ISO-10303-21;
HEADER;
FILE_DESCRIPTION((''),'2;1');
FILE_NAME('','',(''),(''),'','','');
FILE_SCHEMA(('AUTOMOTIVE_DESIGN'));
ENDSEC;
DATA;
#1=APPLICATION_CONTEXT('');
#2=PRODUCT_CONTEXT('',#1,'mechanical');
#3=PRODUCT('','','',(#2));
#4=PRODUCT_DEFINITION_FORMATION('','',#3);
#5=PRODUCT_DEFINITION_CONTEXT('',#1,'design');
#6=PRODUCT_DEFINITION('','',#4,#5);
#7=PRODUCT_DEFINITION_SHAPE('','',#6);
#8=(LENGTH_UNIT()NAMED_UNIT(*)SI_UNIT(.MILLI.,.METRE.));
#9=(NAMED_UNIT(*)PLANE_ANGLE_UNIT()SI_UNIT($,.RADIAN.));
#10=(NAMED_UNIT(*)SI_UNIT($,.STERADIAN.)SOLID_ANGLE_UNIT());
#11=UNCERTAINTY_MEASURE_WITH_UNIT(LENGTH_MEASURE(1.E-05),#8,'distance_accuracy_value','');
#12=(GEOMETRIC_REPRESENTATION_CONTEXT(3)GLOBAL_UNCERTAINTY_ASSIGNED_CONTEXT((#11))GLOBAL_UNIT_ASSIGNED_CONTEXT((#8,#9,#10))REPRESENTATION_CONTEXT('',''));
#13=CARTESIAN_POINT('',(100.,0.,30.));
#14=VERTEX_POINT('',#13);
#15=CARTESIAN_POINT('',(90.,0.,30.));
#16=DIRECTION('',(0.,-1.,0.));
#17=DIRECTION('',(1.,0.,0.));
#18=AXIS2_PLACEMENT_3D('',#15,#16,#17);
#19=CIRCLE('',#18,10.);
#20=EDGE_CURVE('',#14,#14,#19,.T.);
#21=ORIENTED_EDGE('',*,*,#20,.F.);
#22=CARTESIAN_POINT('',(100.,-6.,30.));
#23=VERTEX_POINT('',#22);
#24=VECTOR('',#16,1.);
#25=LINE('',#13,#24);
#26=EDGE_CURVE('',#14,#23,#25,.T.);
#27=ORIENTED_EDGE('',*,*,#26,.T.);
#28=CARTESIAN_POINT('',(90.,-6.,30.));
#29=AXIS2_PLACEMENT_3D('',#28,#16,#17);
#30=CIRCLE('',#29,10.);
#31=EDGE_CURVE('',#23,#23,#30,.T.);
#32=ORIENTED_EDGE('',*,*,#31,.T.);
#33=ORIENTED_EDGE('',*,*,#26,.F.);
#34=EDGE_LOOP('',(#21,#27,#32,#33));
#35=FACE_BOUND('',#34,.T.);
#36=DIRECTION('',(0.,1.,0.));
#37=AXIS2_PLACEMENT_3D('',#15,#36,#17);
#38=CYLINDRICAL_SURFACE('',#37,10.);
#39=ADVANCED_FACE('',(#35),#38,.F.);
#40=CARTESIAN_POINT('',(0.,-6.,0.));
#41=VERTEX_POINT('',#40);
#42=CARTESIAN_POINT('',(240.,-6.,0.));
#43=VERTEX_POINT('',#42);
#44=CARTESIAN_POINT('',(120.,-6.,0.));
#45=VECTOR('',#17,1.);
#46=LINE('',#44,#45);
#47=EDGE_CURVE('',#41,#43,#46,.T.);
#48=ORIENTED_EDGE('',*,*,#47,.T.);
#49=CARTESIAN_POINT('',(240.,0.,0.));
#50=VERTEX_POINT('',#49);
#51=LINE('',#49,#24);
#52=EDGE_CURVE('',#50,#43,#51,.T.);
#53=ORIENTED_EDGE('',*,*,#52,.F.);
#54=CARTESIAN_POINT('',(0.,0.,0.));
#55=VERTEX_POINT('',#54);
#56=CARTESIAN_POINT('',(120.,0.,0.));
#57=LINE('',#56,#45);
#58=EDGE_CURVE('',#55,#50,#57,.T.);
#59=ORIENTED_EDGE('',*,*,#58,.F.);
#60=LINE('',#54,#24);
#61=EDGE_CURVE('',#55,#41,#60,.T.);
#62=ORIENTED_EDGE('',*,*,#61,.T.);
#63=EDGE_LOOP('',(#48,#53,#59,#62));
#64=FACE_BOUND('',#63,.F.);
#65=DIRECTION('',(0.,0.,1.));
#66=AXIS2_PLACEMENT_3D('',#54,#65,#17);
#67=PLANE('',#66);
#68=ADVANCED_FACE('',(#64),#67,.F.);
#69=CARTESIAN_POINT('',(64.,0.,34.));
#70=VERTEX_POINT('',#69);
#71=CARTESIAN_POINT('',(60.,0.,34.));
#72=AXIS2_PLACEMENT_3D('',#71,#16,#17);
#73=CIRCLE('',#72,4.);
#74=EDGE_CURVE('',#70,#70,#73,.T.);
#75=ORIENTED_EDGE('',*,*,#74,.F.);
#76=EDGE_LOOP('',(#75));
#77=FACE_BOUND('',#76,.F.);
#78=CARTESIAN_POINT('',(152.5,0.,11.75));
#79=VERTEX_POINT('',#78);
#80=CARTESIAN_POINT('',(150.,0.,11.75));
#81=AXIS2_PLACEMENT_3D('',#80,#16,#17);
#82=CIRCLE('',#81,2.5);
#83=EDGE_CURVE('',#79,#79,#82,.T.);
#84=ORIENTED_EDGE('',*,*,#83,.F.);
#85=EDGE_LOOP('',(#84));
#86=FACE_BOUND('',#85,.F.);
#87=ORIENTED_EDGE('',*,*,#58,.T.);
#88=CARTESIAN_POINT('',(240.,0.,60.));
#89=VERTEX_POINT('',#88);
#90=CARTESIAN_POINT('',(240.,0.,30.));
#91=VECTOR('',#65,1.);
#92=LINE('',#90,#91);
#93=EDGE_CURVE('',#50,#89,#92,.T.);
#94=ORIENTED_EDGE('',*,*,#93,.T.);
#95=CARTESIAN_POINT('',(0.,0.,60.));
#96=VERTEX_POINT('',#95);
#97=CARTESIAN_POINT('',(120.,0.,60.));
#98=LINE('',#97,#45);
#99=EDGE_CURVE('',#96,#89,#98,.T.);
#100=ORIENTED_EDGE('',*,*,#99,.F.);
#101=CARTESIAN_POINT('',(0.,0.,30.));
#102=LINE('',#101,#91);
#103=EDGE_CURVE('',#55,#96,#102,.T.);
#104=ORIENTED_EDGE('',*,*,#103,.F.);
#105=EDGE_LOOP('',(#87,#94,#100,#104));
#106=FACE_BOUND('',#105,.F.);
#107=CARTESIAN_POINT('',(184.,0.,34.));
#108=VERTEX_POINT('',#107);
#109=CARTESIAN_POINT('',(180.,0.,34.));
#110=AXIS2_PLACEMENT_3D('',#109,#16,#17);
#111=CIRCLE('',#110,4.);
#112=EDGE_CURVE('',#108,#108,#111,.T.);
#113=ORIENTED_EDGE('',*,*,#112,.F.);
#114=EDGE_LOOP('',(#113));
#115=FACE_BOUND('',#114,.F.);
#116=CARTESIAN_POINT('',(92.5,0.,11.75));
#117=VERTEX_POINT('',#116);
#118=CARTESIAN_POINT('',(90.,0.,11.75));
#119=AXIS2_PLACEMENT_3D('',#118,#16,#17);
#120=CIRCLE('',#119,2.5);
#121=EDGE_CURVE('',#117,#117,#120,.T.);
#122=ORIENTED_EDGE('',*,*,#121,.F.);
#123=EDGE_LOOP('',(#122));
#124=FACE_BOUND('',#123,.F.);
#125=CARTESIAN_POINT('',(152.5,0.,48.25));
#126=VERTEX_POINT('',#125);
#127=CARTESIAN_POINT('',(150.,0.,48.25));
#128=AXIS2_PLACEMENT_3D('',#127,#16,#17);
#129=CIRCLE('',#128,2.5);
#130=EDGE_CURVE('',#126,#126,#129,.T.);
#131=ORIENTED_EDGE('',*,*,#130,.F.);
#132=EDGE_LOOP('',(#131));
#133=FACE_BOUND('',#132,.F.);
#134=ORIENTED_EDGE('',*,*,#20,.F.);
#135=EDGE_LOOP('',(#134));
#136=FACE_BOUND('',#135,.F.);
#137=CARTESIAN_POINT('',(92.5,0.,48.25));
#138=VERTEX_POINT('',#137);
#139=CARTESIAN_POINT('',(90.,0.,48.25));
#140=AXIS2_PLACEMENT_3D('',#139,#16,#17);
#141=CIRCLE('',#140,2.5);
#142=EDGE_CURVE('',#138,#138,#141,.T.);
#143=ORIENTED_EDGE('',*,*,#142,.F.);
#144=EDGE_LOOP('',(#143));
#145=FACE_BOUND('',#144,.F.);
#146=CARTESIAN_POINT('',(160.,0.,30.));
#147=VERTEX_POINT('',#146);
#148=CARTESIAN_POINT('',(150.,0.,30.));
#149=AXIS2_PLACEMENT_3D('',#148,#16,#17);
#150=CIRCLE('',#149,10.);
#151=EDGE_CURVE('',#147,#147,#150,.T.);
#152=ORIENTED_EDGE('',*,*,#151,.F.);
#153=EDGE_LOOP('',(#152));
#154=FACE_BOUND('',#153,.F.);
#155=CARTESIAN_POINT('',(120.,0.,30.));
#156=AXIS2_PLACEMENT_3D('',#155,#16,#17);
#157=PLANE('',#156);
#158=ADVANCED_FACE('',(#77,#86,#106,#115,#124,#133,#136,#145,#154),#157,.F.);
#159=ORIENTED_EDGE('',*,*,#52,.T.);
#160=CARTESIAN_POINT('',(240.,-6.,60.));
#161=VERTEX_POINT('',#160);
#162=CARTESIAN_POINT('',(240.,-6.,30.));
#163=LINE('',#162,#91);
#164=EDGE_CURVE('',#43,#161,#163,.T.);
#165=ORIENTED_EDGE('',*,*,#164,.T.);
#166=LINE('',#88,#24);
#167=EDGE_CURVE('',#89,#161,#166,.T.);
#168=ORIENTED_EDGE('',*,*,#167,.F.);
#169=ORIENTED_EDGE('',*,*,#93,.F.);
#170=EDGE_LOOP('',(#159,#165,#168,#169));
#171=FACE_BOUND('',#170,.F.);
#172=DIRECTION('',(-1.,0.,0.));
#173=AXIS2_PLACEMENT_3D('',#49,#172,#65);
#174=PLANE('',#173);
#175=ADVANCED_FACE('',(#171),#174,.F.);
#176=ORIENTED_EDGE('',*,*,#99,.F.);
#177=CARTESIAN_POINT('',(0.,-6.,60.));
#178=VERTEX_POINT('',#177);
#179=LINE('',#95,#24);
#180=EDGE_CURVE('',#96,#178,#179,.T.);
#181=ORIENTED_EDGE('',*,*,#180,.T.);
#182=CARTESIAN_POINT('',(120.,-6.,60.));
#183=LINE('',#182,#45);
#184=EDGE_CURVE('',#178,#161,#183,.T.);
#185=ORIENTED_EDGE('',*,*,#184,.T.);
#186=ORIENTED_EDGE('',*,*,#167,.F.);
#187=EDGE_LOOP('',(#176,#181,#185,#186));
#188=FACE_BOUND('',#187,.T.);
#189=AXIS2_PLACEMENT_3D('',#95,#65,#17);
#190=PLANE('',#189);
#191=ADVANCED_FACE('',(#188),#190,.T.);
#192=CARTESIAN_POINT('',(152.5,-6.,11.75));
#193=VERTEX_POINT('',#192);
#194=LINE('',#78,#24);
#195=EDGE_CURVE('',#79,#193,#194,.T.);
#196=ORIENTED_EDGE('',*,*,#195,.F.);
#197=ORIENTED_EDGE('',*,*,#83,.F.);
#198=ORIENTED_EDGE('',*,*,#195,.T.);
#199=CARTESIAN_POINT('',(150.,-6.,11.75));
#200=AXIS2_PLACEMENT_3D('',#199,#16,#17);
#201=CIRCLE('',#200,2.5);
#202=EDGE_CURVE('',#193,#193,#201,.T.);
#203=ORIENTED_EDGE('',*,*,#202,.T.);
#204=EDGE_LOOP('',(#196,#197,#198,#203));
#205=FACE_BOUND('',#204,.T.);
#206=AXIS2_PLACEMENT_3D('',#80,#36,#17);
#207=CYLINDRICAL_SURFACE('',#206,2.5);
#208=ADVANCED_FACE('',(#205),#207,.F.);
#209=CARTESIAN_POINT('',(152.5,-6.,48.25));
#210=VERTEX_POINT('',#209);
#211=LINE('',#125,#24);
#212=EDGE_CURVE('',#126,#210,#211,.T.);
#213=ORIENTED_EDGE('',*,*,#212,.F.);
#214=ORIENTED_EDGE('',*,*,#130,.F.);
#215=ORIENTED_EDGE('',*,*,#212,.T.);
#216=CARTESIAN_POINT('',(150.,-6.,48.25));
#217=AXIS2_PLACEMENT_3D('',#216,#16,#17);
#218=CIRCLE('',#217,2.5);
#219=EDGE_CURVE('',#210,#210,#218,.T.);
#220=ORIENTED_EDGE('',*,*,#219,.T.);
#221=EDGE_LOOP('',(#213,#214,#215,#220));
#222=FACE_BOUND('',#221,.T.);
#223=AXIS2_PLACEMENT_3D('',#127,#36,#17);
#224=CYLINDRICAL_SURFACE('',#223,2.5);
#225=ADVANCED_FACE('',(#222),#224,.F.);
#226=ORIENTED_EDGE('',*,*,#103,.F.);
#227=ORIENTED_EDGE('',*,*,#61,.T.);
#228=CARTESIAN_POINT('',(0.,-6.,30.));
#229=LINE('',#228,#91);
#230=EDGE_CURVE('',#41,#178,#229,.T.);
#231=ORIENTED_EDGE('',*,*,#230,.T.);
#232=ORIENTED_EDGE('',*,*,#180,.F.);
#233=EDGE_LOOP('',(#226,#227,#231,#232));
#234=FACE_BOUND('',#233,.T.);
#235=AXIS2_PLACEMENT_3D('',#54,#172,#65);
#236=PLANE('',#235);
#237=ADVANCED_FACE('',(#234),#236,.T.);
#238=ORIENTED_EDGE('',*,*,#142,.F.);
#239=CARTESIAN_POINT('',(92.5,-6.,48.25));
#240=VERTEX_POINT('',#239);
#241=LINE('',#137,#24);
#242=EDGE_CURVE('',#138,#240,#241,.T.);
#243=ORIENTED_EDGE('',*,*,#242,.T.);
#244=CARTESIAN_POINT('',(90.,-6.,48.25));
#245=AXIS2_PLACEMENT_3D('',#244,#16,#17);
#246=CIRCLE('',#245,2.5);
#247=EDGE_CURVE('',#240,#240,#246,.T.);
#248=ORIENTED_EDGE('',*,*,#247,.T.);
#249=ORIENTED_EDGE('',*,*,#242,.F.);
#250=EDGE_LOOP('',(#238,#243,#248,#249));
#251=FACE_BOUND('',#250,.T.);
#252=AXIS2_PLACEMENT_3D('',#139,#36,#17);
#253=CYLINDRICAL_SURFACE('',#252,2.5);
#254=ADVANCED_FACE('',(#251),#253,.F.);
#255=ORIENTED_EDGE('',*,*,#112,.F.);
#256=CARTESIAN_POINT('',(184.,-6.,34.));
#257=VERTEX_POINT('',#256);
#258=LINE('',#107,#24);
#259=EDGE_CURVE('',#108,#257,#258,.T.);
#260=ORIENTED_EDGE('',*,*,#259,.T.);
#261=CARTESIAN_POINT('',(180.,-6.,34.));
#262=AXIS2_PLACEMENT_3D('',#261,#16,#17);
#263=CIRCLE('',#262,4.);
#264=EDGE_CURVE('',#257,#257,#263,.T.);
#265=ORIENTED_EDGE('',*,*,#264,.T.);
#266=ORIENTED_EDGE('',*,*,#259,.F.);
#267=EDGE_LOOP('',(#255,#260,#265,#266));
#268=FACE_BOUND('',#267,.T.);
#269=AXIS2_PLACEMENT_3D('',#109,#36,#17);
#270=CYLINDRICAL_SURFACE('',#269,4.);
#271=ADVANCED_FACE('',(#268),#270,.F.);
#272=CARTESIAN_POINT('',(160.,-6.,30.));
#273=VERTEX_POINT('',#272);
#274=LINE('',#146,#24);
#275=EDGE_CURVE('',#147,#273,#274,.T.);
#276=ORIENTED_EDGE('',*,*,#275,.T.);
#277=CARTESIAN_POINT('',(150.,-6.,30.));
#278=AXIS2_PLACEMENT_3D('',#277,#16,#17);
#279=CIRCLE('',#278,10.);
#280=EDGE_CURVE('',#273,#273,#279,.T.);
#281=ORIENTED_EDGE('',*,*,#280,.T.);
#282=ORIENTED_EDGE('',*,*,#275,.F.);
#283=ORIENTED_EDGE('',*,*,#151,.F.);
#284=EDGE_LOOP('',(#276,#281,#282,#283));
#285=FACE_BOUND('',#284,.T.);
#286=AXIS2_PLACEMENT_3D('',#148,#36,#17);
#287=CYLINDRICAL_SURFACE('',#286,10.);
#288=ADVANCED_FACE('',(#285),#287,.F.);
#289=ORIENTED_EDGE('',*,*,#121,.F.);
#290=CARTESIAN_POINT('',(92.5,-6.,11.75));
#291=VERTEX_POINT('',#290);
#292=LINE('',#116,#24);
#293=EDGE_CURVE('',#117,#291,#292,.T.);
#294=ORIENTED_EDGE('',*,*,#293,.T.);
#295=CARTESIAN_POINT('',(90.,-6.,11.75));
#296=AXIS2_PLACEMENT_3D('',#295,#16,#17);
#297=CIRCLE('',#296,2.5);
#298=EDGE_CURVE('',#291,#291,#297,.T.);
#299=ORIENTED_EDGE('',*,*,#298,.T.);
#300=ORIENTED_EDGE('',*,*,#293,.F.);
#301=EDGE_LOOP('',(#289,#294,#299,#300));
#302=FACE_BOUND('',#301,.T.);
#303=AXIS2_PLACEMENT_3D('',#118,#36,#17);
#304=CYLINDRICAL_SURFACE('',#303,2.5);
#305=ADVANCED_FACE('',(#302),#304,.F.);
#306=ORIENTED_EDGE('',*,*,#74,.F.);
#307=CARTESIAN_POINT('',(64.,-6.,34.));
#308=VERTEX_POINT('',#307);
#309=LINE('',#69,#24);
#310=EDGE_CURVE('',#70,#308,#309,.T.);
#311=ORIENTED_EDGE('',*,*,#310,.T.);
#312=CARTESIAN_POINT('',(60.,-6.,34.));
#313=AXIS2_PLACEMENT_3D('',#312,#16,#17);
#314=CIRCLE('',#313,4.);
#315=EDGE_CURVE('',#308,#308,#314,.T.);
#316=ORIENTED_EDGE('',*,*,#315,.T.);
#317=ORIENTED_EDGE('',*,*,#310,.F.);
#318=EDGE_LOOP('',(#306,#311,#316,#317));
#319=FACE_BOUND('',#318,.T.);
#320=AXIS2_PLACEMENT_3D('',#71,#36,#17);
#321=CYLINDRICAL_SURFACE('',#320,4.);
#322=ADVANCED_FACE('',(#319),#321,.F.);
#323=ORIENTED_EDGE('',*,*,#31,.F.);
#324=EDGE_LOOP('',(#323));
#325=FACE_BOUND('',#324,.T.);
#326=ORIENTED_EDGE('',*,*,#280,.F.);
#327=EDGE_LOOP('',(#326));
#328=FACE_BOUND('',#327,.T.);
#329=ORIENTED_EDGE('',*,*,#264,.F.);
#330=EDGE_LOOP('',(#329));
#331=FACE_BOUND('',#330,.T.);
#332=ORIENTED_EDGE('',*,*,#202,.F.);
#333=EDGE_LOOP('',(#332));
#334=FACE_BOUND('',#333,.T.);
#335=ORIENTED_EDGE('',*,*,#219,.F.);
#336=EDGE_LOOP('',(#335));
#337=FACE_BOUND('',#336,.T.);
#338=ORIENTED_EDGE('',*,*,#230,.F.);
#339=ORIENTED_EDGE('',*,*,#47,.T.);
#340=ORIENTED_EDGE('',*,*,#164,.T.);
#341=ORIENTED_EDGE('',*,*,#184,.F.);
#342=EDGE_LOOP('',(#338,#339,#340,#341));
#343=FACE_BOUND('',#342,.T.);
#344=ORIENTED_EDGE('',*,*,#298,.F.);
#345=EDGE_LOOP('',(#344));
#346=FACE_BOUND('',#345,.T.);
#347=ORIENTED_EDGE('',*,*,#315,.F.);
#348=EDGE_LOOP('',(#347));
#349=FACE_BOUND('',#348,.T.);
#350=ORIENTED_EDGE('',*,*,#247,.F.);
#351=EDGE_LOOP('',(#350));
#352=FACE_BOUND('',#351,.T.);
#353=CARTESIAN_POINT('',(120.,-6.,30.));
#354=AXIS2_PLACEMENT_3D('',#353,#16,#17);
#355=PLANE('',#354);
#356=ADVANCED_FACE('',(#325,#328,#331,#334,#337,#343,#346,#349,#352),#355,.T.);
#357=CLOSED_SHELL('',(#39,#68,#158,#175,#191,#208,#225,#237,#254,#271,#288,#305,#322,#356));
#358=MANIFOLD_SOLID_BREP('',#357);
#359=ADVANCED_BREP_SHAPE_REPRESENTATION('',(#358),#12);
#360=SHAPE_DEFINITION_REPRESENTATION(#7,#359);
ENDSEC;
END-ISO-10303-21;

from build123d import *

# Parameters (mm, degrees)
SKETCH_W   = 240
SKETCH_H   = 60
SKETCH_R   = 10
SKETCH_R_2 = 2.5
SKETCH_R_3 = 4
PAD_DEPTH  = 6


with BuildPart() as part:
    # Sketch → Pad (new body)
    with BuildSketch(Plane.XZ):
        with Locations((120, 30)):
            Rectangle(SKETCH_W, SKETCH_H)
        with Locations((90, 30)):
            Circle(SKETCH_R, mode=Mode.SUBTRACT)
        with Locations((150, 30)):
            Circle(SKETCH_R, mode=Mode.SUBTRACT)
        with Locations((90, 11.75)):
            Circle(SKETCH_R_2, mode=Mode.SUBTRACT)
        with Locations((90, 48.25)):
            Circle(SKETCH_R_2, mode=Mode.SUBTRACT)
        with Locations((150, 48.25)):
            Circle(SKETCH_R_2, mode=Mode.SUBTRACT)
        with Locations((150, 11.75)):
            Circle(SKETCH_R_2, mode=Mode.SUBTRACT)
        with Locations((60, 34)):
            Circle(SKETCH_R_3, mode=Mode.SUBTRACT)
        with Locations((180, 34)):
            Circle(SKETCH_R_3, mode=Mode.SUBTRACT)
    extrude(amount=PAD_DEPTH)


solid = part.part
